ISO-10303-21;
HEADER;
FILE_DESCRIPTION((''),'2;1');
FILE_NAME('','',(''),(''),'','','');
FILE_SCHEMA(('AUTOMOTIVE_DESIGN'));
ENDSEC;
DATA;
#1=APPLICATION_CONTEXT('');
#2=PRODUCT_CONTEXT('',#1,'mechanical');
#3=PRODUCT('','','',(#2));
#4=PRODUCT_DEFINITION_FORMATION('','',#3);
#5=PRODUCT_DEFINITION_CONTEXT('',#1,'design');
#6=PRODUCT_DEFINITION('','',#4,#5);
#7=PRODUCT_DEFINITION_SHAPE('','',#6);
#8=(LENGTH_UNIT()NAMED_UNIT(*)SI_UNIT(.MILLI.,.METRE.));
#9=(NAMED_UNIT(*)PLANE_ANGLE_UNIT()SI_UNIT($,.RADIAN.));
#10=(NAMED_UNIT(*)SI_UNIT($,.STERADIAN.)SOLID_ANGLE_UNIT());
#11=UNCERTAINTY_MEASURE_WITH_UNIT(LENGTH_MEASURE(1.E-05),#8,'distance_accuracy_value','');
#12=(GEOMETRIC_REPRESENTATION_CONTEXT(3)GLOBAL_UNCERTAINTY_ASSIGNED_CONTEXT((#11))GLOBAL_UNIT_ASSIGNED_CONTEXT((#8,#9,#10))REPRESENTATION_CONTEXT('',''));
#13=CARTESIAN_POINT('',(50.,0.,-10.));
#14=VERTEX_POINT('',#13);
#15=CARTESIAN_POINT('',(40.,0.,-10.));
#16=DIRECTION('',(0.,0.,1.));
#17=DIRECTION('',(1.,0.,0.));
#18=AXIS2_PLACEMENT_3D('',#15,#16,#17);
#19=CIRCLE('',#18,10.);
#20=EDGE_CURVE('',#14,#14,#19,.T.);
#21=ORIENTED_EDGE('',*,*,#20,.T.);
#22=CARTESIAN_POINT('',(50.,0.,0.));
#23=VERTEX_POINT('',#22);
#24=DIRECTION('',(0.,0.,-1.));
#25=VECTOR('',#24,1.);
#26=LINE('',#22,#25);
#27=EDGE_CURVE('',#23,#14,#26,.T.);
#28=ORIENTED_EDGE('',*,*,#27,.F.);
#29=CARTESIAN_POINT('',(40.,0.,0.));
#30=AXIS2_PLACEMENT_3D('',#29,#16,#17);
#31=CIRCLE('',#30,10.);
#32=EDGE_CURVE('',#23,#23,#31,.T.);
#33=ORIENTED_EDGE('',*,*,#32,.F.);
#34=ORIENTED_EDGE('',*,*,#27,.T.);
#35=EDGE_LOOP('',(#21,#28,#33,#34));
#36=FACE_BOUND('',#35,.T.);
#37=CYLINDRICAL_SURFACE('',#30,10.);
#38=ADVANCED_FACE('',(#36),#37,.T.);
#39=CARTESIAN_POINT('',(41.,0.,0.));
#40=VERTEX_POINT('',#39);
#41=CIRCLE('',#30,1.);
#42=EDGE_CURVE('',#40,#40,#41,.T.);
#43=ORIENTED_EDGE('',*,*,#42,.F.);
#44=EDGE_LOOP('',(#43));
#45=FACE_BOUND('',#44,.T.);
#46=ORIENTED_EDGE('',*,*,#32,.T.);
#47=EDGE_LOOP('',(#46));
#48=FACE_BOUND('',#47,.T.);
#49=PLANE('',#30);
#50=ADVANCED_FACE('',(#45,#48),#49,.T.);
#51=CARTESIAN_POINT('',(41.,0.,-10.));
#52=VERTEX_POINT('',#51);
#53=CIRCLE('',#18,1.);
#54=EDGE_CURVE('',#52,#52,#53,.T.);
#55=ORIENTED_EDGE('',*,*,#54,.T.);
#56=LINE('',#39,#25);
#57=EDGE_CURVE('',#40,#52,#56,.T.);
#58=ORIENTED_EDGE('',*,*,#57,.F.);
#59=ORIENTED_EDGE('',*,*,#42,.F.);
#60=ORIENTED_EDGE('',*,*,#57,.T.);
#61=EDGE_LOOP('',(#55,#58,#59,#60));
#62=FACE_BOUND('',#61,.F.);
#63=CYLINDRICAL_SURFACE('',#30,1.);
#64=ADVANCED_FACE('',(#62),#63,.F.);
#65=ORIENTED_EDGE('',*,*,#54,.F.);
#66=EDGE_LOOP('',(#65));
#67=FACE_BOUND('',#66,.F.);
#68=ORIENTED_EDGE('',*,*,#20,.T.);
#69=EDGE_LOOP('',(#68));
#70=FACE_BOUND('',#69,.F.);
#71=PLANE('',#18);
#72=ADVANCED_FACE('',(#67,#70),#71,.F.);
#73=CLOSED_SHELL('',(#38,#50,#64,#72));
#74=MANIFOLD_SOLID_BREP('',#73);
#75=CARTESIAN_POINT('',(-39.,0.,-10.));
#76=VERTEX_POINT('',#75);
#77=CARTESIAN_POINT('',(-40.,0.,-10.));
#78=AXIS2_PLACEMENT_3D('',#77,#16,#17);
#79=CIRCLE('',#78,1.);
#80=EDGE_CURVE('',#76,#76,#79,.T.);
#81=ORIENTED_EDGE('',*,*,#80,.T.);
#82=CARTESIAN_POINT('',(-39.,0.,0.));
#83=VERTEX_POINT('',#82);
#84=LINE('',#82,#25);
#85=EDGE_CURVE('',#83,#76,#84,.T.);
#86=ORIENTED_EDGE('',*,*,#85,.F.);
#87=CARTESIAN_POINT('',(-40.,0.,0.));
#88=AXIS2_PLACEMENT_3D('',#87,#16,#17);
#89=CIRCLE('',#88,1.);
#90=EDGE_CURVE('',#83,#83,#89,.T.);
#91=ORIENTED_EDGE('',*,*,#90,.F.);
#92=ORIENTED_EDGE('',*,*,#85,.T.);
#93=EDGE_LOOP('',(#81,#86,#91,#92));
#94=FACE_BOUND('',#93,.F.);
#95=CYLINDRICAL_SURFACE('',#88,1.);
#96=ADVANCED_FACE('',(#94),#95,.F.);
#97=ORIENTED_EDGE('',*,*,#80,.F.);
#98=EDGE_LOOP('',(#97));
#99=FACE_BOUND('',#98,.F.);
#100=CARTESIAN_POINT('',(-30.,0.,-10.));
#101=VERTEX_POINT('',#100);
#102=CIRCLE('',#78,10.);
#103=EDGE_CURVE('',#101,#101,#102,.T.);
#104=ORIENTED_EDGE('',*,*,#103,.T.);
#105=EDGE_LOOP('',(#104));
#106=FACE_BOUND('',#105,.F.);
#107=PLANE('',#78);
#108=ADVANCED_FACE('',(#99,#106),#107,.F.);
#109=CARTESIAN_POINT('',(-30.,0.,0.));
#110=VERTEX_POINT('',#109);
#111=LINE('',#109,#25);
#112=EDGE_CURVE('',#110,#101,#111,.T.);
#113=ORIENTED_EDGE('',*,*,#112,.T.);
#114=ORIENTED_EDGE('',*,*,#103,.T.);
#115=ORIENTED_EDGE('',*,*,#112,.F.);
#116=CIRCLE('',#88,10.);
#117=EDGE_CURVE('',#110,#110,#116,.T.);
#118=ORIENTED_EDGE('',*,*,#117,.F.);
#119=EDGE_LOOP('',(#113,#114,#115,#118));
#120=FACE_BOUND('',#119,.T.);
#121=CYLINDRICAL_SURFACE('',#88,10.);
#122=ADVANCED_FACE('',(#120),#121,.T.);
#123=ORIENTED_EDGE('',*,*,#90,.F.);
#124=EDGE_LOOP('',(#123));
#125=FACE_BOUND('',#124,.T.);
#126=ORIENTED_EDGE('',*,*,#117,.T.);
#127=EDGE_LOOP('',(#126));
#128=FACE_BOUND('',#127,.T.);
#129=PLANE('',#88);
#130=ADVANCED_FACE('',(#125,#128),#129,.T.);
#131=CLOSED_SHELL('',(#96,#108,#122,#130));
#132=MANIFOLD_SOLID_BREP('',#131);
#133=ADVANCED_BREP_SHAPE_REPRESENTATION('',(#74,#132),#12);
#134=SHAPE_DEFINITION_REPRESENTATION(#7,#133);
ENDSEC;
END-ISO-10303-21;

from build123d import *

# Parameters (mm, degrees)
F0_R     = 10
F0_R_2   = 1
F1_DEPTH = 10


with BuildPart() as f1:
    # F0 (on Top) → F1 (new body)
    with BuildSketch(Plane.XY):
        with Locations((-40, 0)):
            Circle(F0_R)
        with Locations((-40, 0)):
            Circle(F0_R_2, mode=Mode.SUBTRACT)
        with Locations((40, 0)):
            Circle(F0_R)
        with Locations((40, 0)):
            Circle(F0_R_2, mode=Mode.SUBTRACT)
    extrude(amount=-F1_DEPTH)


solid = f1.part
